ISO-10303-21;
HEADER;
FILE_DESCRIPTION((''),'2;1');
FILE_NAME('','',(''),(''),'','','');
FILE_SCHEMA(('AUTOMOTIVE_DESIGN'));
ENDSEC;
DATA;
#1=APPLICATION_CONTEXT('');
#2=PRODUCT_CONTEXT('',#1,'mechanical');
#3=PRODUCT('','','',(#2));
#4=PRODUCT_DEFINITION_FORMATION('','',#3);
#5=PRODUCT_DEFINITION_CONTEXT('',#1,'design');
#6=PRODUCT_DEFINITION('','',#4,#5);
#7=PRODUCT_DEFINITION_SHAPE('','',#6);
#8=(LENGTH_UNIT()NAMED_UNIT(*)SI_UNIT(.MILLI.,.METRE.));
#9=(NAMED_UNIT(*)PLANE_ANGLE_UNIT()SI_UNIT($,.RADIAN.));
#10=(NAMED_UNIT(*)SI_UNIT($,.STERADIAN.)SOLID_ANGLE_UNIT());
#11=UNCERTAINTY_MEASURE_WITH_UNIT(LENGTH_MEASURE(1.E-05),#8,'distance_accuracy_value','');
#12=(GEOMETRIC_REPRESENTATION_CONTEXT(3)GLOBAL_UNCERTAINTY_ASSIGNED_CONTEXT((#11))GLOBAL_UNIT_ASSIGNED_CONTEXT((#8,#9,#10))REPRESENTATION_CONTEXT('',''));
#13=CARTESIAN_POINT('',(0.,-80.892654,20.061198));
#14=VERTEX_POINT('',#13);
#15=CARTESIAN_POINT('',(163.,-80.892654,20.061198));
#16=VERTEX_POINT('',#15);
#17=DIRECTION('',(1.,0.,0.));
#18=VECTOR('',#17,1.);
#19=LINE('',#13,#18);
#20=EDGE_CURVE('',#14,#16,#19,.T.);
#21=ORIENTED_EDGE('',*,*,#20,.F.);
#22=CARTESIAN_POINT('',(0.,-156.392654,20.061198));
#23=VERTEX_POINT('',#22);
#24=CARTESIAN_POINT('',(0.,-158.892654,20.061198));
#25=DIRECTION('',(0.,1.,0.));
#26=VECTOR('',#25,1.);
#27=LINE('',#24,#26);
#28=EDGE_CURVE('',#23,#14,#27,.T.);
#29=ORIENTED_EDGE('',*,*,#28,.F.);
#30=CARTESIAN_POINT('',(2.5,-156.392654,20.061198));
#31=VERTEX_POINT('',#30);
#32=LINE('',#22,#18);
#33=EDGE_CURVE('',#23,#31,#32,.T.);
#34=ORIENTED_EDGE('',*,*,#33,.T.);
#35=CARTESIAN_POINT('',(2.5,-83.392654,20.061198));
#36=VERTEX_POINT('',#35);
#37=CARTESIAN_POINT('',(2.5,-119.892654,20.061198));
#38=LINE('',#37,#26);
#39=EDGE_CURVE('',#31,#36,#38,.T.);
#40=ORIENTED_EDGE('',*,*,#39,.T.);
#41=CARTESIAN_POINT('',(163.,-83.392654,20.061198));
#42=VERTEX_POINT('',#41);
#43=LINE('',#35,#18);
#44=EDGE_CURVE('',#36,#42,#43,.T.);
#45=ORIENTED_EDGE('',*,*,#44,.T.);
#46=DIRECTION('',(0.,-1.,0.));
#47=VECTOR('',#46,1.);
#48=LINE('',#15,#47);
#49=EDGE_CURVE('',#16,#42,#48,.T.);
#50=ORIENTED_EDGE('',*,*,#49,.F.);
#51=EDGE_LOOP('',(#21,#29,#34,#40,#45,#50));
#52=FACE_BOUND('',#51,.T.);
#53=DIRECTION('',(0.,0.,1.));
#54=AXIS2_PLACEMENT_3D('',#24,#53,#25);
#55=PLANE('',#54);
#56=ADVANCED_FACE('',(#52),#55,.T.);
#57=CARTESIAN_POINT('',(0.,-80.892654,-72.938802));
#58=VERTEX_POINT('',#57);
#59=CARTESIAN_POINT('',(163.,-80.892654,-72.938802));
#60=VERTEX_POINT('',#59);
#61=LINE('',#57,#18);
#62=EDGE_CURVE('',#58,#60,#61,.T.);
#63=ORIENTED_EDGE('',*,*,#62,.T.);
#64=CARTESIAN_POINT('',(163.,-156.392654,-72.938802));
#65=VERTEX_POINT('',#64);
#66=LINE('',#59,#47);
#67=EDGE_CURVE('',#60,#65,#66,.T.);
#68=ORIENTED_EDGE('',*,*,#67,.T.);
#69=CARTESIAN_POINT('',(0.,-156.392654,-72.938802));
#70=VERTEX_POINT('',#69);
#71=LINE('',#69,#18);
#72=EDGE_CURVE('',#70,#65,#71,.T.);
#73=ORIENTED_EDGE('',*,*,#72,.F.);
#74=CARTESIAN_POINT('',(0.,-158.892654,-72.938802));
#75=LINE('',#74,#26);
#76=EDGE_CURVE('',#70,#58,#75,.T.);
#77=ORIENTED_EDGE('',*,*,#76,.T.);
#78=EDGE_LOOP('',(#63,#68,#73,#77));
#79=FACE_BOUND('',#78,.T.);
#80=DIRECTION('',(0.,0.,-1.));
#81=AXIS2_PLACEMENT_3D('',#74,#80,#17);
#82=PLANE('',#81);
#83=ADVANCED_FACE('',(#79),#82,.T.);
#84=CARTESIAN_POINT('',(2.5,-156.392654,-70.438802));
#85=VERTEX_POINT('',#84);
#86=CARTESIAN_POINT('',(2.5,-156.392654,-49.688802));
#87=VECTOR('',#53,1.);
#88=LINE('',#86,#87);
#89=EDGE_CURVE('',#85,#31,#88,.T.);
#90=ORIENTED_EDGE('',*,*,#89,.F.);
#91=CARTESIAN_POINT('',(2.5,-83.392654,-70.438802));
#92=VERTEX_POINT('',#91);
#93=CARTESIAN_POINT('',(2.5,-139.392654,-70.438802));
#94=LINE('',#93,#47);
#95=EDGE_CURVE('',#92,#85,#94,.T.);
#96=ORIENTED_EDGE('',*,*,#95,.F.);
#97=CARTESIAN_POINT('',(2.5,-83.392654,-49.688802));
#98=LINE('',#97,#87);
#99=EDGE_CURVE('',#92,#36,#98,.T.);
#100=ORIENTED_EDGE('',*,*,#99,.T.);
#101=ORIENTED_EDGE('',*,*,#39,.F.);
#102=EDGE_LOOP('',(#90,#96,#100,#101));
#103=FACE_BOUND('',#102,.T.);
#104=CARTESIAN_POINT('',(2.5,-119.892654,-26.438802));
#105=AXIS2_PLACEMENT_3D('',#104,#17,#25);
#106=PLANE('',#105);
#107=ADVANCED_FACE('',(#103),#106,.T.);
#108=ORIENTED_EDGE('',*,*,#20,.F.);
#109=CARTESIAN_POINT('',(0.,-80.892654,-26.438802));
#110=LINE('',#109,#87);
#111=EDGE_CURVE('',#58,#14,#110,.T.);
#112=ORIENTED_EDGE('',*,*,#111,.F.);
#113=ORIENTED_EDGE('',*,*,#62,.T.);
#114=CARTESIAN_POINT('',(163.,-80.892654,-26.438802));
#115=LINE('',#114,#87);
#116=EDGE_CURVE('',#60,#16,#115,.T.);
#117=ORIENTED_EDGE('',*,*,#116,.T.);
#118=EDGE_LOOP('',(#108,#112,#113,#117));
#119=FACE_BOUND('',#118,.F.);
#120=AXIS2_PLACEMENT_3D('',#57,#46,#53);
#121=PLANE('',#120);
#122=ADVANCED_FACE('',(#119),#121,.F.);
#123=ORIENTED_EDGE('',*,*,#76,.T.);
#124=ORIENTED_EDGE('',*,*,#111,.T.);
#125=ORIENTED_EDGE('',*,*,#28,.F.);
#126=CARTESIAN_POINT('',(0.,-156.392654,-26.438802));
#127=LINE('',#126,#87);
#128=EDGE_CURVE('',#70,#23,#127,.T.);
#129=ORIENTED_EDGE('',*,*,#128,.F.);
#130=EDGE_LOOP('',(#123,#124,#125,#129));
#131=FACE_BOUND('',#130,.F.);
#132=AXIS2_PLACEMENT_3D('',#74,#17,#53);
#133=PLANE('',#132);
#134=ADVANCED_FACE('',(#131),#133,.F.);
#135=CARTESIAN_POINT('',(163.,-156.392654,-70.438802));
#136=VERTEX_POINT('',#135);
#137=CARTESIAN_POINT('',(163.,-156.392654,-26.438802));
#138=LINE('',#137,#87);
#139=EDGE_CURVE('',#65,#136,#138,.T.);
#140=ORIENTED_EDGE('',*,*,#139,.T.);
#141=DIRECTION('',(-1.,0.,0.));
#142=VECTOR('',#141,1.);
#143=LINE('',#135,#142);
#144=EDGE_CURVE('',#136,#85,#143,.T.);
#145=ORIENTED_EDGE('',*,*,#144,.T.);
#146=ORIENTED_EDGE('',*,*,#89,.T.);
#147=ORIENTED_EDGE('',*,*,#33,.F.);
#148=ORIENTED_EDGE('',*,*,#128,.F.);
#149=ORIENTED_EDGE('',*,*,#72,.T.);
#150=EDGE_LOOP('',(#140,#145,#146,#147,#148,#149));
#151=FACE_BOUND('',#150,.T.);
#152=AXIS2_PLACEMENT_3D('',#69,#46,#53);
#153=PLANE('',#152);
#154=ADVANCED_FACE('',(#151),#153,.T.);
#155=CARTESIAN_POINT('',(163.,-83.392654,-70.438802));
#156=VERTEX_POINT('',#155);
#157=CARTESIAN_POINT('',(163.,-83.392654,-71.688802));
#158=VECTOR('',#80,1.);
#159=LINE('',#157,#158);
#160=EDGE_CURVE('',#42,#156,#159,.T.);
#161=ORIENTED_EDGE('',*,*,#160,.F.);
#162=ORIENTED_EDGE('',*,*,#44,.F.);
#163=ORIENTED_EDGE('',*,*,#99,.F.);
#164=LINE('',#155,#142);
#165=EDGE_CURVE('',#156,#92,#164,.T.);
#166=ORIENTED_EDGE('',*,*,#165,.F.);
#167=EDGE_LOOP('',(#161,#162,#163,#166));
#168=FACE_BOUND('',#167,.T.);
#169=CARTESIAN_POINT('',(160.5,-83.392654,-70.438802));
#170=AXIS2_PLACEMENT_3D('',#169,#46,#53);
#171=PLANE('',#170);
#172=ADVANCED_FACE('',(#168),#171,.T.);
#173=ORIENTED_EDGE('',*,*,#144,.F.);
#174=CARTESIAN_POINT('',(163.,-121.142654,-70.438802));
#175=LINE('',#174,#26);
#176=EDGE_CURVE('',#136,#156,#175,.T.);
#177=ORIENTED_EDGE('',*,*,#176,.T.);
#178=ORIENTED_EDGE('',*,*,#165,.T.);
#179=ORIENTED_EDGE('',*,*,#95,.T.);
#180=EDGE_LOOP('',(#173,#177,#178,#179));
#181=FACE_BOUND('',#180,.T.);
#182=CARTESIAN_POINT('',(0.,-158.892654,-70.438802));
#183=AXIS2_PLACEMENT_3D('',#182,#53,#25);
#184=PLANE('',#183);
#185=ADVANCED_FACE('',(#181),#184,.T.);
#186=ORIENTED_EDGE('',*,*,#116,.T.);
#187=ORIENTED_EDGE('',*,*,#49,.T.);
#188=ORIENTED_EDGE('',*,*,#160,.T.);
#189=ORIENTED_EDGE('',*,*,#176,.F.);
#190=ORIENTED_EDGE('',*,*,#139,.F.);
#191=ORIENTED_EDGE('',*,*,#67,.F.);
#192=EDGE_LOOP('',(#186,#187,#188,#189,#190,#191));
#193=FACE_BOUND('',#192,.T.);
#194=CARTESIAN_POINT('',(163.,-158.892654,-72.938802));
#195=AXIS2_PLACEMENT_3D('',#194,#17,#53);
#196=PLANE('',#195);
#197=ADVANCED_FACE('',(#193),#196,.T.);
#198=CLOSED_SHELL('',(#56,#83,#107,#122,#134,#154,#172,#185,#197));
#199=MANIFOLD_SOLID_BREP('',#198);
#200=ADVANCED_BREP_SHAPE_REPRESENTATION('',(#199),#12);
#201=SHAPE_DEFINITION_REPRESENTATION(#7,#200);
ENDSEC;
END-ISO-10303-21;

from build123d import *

# Parameters (mm, degrees)
F0_W     = 78
F0_H     = 93
F1_DEPTH = 163
F2_T     = -2.5
F3_DEPTH = 2.5
F4_DEPTH = 2.5
F5_DEPTH = 25


with BuildPart() as f1:
    # F0 (on Right) → F1 (new body)
    with BuildSketch(Plane.YZ):
        with Locations((-119.8926544255, -26.4388019443)):
            Rectangle(F0_W, F0_H)
    extrude(amount=F1_DEPTH)

    # F2
    f2_openings = [f1.faces().sort_by_distance(p)[0] for p in [
        (81.5, -119.892654, 20.061198),
    ]]
    offset(amount=F2_T, openings=f2_openings)

    # F3 (add): a face of the model
    f3_faces = [f1.faces().sort_by_distance(p)[0] for p in [
        (81.5, -158.8926544255, -26.4388019443),
    ]]
    extrude(f3_faces, amount=-F3_DEPTH)

    # F4 (cut): a face of the model
    f4_faces = [f1.faces().sort_by_distance(p)[0] for p in [
        (81.5, -158.8926544255, -26.4388019443),
    ]]
    extrude(f4_faces, amount=-F4_DEPTH, mode=Mode.SUBTRACT)

    # F5 (cut): a face of the model
    f5_faces = [f1.faces().sort_by_distance(p)[0] for p in [
        (160.5, -119.8926544255, -25.1888019443),
    ]]
    extrude(f5_faces, amount=-F5_DEPTH, mode=Mode.SUBTRACT)


solid = f1.part
